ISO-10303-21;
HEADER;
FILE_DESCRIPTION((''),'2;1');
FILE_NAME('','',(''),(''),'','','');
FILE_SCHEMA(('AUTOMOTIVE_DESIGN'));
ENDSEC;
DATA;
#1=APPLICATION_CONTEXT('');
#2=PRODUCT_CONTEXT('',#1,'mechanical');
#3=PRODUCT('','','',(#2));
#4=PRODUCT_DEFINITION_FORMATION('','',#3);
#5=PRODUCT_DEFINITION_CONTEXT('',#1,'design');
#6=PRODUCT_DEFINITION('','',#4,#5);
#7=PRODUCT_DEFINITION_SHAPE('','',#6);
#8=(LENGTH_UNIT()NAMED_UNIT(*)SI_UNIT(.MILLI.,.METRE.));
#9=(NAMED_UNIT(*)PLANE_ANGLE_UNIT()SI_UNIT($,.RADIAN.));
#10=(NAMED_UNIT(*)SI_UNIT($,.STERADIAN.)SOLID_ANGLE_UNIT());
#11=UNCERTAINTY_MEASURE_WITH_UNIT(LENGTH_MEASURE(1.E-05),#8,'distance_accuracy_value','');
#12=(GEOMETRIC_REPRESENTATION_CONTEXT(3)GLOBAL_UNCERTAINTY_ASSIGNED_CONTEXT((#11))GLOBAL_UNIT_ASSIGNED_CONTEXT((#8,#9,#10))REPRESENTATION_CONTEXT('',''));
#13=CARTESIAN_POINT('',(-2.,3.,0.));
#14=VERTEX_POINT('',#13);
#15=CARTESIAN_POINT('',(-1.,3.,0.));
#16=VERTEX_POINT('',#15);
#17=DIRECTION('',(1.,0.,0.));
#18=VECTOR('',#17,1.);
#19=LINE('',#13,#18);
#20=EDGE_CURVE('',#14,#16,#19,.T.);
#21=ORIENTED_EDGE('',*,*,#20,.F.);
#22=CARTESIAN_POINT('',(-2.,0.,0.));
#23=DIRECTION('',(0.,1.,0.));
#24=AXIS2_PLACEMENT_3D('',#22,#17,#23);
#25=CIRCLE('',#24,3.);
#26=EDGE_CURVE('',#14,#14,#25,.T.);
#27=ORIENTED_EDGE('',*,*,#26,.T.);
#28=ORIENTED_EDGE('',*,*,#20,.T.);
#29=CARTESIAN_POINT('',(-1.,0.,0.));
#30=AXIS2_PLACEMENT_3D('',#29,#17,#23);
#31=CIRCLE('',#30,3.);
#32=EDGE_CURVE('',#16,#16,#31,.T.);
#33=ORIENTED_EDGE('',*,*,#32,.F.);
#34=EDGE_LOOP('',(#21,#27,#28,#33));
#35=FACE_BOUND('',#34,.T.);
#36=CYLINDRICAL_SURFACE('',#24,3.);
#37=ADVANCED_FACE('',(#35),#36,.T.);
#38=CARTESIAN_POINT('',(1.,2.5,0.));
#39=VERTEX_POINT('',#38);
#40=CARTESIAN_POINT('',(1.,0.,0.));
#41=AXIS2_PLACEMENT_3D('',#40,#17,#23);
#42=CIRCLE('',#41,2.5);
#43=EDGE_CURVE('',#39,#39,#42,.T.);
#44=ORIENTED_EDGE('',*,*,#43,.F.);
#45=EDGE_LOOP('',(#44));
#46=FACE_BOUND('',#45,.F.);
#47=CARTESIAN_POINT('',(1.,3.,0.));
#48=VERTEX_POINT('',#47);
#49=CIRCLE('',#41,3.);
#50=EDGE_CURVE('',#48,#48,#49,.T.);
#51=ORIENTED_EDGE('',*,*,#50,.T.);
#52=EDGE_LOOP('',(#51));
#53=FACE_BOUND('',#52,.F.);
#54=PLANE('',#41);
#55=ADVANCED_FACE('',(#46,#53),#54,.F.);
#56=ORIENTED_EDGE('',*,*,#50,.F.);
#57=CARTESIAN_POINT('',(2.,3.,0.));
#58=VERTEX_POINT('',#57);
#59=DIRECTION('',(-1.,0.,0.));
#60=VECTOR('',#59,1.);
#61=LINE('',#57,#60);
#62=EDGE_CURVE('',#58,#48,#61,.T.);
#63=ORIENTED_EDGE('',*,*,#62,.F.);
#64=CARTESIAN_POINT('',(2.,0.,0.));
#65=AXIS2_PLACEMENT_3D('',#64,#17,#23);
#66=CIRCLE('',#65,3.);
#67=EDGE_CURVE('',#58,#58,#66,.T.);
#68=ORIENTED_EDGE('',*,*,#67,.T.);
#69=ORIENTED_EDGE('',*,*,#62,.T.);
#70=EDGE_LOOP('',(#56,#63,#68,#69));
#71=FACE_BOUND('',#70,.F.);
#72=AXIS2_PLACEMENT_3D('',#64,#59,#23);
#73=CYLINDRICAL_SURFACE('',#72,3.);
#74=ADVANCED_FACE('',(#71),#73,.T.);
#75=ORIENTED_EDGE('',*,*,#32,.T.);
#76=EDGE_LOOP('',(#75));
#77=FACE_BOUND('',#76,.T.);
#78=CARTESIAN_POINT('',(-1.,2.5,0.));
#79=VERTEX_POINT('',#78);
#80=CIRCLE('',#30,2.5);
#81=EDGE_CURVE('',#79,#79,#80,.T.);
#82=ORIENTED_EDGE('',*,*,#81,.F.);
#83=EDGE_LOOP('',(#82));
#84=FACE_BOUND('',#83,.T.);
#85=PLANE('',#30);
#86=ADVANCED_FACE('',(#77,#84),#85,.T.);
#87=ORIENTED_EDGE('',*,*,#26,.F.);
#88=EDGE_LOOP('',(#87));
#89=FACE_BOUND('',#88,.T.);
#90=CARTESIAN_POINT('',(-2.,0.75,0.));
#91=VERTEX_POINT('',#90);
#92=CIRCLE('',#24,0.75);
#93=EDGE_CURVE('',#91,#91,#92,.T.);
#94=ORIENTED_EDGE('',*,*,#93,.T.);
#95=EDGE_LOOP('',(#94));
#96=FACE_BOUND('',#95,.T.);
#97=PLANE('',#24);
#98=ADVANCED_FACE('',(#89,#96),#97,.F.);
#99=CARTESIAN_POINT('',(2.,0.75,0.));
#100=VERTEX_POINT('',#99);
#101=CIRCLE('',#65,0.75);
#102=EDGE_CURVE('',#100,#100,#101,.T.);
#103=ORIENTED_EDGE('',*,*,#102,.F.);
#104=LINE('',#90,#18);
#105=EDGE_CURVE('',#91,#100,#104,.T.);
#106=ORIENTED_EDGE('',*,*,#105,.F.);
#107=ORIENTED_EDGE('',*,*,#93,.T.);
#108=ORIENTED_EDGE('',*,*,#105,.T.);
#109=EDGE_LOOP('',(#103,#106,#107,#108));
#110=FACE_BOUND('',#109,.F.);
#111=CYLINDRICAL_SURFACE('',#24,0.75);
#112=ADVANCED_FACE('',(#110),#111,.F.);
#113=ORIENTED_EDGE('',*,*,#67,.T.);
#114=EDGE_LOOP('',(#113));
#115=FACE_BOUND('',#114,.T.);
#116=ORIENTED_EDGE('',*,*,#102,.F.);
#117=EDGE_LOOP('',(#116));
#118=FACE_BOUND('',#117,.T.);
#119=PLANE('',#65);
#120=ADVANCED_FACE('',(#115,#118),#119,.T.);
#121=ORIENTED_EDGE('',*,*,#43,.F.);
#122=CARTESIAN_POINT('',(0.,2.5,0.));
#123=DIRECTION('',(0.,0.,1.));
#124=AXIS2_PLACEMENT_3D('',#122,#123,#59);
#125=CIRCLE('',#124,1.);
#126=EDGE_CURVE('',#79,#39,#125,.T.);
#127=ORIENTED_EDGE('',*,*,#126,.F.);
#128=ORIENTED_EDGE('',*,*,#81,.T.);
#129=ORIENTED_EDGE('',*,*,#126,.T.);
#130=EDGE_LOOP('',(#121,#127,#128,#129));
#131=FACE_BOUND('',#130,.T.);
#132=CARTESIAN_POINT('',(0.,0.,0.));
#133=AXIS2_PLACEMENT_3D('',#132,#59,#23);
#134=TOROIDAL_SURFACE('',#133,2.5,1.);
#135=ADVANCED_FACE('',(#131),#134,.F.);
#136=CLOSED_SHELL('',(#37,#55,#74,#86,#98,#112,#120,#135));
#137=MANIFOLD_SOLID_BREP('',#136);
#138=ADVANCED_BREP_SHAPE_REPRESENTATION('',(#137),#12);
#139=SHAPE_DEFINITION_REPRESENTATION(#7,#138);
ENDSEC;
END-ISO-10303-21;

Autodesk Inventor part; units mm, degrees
ref_plane "YZ Plane" through (0, 0, 0) normal (1, 0, 0) x (0, 1, 0)
ref_plane "XZ Plane" through (0, 0, 0) normal (0, 1, 0) x (-1, 0, 0)
ref_plane "XY Plane" through (0, 0, 0) normal (0, 0, 1) x (1, 0, 0)
sketch "スケッチ1" plane through (0, 0, 0) normal (0, 0, 1) x (1, 0, 0)
  line L0 (-2, 0.75) -> (-2, 3)
  line L1 (2, 3) -> (2, 0.75)
  line L2 (-2, 0.75) -> (2, 0.75)
  line L3 (-2, 3) -> (-1, 3)
  line L4 (2, 3) -> (1, 3)
  line L5 (-1, 3) -> (-1, 2.5)
  line L6 (1, 3) -> (1, 2.5)
  arc A0 (-1, 2.5) -> (1, 2.5) centre (0, 2.5) ccw
  line L7 (0, 2.5) -> (0, 0.75) construction
  line L8 (-2.8, 0) -> (2.8, 0) projected
  point P0 (0, 0)
  dimension "d0" = 0.75
  dimension "d3" = 1
  dimension "d4" = 0.5
  dimension "d5" = 3
  dimension "d7" = 1
revolve "回転1" add sketch "スケッチ1" angle 360 about axis through (-10, 0, 0) along (1, 0, 0)
properties part number "Pulley_Small"
